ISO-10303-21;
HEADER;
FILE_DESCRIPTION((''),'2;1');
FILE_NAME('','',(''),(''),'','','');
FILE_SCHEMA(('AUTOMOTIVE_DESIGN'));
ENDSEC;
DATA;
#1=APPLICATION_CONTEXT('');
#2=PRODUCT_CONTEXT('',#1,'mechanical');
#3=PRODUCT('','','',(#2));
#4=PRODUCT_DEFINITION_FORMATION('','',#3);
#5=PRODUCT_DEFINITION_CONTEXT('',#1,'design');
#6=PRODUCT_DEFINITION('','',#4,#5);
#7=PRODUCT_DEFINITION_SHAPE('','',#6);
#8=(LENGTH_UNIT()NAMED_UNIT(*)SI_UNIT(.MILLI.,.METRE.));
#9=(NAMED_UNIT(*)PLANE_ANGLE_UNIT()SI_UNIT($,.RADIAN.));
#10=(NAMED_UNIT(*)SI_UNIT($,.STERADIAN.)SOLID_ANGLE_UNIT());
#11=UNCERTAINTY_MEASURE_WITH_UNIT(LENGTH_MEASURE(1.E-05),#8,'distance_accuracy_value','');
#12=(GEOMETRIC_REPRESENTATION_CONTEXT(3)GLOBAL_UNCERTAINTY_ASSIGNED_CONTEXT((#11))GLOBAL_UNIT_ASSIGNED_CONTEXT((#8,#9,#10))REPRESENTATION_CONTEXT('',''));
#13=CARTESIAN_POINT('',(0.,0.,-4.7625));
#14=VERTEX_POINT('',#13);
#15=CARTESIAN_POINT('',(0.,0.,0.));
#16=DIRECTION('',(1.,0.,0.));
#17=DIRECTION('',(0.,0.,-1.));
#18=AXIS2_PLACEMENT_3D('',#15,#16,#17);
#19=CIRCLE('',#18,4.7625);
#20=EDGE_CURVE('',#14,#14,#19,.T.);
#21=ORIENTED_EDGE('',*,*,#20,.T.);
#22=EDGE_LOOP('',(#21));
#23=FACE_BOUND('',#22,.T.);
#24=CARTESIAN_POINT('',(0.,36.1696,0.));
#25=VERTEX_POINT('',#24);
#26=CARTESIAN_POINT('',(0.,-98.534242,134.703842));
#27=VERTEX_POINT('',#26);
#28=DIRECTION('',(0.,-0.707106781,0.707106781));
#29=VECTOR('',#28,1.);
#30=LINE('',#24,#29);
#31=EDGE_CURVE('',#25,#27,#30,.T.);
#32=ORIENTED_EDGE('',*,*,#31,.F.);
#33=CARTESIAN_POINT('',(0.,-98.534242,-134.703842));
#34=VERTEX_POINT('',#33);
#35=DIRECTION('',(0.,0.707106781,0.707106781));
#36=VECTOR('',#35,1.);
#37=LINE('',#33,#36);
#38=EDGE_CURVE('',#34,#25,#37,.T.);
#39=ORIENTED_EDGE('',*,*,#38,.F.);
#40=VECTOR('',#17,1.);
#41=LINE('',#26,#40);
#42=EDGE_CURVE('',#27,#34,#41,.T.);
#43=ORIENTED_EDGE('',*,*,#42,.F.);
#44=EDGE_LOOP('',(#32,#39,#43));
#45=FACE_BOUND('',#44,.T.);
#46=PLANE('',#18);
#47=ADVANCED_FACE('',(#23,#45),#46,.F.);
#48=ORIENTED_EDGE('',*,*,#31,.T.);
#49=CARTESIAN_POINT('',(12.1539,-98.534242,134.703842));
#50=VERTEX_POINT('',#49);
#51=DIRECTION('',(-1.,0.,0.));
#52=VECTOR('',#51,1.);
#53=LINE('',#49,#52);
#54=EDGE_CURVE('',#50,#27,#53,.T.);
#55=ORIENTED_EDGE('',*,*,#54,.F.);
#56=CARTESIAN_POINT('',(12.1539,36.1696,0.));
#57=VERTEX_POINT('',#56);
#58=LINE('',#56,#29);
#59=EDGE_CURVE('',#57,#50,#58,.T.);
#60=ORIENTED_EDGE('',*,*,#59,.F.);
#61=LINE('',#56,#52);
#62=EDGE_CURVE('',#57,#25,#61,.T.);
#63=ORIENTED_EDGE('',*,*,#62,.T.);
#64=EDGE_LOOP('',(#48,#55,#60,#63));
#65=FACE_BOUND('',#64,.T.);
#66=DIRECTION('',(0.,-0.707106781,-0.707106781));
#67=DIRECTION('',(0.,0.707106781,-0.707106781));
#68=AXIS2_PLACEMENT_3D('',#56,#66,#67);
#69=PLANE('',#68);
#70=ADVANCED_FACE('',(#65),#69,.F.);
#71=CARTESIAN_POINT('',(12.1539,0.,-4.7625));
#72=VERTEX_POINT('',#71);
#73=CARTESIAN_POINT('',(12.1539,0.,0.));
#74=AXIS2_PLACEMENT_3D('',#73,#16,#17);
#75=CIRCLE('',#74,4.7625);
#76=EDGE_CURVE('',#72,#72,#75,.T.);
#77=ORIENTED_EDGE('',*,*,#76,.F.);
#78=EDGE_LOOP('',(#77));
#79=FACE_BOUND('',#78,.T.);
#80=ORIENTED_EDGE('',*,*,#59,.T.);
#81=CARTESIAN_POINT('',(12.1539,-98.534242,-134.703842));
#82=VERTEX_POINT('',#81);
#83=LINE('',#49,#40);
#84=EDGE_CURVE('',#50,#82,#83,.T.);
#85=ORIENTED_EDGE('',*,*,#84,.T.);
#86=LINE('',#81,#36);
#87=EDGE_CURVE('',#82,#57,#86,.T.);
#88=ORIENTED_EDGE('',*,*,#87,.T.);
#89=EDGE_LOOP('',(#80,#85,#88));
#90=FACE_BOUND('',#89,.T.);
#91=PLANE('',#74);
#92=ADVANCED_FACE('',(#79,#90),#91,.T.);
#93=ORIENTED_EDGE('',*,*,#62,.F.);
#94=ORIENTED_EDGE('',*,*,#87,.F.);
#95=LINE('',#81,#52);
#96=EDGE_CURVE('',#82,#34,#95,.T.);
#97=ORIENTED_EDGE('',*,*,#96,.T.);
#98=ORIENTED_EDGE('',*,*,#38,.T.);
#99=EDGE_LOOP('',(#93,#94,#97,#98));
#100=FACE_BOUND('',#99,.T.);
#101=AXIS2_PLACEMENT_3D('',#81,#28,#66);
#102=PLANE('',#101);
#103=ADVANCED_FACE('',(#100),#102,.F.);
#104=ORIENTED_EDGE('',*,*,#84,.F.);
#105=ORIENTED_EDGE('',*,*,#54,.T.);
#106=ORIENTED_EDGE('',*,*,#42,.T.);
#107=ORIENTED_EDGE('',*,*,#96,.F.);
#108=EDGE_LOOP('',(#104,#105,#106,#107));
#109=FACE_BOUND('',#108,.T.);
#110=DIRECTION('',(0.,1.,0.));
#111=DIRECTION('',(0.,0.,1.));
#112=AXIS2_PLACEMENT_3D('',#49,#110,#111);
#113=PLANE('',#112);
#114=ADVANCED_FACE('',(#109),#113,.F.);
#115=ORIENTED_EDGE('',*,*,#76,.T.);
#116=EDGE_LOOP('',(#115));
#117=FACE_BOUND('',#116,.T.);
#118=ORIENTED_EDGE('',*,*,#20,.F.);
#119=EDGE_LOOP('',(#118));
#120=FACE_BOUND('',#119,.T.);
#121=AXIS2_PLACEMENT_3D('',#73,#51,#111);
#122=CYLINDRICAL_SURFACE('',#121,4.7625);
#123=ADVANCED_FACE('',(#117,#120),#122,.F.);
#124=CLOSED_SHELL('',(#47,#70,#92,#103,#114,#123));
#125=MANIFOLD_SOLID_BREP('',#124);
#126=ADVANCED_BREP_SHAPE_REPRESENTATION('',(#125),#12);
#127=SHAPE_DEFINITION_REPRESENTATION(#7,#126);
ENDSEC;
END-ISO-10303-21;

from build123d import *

# Parameters (mm, degrees)
SKETCH1_R           = 4.7625
BOSS_EXTRUDE1_DEPTH = 12.1539


with BuildPart() as part:
    # Sketch1 → Boss-Extrude1 (new body)
    with BuildSketch(Plane(origin=(0, 0, 0), x_dir=(0, 0, -1), z_dir=(1, 0, 0))):
        Polygon((0, 36.1696), (-134.703841816, -98.534241816), (134.703841816, -98.534241816), align=None)
        Circle(SKETCH1_R, mode=Mode.SUBTRACT)
    extrude(amount=BOSS_EXTRUDE1_DEPTH)


solid = part.part
